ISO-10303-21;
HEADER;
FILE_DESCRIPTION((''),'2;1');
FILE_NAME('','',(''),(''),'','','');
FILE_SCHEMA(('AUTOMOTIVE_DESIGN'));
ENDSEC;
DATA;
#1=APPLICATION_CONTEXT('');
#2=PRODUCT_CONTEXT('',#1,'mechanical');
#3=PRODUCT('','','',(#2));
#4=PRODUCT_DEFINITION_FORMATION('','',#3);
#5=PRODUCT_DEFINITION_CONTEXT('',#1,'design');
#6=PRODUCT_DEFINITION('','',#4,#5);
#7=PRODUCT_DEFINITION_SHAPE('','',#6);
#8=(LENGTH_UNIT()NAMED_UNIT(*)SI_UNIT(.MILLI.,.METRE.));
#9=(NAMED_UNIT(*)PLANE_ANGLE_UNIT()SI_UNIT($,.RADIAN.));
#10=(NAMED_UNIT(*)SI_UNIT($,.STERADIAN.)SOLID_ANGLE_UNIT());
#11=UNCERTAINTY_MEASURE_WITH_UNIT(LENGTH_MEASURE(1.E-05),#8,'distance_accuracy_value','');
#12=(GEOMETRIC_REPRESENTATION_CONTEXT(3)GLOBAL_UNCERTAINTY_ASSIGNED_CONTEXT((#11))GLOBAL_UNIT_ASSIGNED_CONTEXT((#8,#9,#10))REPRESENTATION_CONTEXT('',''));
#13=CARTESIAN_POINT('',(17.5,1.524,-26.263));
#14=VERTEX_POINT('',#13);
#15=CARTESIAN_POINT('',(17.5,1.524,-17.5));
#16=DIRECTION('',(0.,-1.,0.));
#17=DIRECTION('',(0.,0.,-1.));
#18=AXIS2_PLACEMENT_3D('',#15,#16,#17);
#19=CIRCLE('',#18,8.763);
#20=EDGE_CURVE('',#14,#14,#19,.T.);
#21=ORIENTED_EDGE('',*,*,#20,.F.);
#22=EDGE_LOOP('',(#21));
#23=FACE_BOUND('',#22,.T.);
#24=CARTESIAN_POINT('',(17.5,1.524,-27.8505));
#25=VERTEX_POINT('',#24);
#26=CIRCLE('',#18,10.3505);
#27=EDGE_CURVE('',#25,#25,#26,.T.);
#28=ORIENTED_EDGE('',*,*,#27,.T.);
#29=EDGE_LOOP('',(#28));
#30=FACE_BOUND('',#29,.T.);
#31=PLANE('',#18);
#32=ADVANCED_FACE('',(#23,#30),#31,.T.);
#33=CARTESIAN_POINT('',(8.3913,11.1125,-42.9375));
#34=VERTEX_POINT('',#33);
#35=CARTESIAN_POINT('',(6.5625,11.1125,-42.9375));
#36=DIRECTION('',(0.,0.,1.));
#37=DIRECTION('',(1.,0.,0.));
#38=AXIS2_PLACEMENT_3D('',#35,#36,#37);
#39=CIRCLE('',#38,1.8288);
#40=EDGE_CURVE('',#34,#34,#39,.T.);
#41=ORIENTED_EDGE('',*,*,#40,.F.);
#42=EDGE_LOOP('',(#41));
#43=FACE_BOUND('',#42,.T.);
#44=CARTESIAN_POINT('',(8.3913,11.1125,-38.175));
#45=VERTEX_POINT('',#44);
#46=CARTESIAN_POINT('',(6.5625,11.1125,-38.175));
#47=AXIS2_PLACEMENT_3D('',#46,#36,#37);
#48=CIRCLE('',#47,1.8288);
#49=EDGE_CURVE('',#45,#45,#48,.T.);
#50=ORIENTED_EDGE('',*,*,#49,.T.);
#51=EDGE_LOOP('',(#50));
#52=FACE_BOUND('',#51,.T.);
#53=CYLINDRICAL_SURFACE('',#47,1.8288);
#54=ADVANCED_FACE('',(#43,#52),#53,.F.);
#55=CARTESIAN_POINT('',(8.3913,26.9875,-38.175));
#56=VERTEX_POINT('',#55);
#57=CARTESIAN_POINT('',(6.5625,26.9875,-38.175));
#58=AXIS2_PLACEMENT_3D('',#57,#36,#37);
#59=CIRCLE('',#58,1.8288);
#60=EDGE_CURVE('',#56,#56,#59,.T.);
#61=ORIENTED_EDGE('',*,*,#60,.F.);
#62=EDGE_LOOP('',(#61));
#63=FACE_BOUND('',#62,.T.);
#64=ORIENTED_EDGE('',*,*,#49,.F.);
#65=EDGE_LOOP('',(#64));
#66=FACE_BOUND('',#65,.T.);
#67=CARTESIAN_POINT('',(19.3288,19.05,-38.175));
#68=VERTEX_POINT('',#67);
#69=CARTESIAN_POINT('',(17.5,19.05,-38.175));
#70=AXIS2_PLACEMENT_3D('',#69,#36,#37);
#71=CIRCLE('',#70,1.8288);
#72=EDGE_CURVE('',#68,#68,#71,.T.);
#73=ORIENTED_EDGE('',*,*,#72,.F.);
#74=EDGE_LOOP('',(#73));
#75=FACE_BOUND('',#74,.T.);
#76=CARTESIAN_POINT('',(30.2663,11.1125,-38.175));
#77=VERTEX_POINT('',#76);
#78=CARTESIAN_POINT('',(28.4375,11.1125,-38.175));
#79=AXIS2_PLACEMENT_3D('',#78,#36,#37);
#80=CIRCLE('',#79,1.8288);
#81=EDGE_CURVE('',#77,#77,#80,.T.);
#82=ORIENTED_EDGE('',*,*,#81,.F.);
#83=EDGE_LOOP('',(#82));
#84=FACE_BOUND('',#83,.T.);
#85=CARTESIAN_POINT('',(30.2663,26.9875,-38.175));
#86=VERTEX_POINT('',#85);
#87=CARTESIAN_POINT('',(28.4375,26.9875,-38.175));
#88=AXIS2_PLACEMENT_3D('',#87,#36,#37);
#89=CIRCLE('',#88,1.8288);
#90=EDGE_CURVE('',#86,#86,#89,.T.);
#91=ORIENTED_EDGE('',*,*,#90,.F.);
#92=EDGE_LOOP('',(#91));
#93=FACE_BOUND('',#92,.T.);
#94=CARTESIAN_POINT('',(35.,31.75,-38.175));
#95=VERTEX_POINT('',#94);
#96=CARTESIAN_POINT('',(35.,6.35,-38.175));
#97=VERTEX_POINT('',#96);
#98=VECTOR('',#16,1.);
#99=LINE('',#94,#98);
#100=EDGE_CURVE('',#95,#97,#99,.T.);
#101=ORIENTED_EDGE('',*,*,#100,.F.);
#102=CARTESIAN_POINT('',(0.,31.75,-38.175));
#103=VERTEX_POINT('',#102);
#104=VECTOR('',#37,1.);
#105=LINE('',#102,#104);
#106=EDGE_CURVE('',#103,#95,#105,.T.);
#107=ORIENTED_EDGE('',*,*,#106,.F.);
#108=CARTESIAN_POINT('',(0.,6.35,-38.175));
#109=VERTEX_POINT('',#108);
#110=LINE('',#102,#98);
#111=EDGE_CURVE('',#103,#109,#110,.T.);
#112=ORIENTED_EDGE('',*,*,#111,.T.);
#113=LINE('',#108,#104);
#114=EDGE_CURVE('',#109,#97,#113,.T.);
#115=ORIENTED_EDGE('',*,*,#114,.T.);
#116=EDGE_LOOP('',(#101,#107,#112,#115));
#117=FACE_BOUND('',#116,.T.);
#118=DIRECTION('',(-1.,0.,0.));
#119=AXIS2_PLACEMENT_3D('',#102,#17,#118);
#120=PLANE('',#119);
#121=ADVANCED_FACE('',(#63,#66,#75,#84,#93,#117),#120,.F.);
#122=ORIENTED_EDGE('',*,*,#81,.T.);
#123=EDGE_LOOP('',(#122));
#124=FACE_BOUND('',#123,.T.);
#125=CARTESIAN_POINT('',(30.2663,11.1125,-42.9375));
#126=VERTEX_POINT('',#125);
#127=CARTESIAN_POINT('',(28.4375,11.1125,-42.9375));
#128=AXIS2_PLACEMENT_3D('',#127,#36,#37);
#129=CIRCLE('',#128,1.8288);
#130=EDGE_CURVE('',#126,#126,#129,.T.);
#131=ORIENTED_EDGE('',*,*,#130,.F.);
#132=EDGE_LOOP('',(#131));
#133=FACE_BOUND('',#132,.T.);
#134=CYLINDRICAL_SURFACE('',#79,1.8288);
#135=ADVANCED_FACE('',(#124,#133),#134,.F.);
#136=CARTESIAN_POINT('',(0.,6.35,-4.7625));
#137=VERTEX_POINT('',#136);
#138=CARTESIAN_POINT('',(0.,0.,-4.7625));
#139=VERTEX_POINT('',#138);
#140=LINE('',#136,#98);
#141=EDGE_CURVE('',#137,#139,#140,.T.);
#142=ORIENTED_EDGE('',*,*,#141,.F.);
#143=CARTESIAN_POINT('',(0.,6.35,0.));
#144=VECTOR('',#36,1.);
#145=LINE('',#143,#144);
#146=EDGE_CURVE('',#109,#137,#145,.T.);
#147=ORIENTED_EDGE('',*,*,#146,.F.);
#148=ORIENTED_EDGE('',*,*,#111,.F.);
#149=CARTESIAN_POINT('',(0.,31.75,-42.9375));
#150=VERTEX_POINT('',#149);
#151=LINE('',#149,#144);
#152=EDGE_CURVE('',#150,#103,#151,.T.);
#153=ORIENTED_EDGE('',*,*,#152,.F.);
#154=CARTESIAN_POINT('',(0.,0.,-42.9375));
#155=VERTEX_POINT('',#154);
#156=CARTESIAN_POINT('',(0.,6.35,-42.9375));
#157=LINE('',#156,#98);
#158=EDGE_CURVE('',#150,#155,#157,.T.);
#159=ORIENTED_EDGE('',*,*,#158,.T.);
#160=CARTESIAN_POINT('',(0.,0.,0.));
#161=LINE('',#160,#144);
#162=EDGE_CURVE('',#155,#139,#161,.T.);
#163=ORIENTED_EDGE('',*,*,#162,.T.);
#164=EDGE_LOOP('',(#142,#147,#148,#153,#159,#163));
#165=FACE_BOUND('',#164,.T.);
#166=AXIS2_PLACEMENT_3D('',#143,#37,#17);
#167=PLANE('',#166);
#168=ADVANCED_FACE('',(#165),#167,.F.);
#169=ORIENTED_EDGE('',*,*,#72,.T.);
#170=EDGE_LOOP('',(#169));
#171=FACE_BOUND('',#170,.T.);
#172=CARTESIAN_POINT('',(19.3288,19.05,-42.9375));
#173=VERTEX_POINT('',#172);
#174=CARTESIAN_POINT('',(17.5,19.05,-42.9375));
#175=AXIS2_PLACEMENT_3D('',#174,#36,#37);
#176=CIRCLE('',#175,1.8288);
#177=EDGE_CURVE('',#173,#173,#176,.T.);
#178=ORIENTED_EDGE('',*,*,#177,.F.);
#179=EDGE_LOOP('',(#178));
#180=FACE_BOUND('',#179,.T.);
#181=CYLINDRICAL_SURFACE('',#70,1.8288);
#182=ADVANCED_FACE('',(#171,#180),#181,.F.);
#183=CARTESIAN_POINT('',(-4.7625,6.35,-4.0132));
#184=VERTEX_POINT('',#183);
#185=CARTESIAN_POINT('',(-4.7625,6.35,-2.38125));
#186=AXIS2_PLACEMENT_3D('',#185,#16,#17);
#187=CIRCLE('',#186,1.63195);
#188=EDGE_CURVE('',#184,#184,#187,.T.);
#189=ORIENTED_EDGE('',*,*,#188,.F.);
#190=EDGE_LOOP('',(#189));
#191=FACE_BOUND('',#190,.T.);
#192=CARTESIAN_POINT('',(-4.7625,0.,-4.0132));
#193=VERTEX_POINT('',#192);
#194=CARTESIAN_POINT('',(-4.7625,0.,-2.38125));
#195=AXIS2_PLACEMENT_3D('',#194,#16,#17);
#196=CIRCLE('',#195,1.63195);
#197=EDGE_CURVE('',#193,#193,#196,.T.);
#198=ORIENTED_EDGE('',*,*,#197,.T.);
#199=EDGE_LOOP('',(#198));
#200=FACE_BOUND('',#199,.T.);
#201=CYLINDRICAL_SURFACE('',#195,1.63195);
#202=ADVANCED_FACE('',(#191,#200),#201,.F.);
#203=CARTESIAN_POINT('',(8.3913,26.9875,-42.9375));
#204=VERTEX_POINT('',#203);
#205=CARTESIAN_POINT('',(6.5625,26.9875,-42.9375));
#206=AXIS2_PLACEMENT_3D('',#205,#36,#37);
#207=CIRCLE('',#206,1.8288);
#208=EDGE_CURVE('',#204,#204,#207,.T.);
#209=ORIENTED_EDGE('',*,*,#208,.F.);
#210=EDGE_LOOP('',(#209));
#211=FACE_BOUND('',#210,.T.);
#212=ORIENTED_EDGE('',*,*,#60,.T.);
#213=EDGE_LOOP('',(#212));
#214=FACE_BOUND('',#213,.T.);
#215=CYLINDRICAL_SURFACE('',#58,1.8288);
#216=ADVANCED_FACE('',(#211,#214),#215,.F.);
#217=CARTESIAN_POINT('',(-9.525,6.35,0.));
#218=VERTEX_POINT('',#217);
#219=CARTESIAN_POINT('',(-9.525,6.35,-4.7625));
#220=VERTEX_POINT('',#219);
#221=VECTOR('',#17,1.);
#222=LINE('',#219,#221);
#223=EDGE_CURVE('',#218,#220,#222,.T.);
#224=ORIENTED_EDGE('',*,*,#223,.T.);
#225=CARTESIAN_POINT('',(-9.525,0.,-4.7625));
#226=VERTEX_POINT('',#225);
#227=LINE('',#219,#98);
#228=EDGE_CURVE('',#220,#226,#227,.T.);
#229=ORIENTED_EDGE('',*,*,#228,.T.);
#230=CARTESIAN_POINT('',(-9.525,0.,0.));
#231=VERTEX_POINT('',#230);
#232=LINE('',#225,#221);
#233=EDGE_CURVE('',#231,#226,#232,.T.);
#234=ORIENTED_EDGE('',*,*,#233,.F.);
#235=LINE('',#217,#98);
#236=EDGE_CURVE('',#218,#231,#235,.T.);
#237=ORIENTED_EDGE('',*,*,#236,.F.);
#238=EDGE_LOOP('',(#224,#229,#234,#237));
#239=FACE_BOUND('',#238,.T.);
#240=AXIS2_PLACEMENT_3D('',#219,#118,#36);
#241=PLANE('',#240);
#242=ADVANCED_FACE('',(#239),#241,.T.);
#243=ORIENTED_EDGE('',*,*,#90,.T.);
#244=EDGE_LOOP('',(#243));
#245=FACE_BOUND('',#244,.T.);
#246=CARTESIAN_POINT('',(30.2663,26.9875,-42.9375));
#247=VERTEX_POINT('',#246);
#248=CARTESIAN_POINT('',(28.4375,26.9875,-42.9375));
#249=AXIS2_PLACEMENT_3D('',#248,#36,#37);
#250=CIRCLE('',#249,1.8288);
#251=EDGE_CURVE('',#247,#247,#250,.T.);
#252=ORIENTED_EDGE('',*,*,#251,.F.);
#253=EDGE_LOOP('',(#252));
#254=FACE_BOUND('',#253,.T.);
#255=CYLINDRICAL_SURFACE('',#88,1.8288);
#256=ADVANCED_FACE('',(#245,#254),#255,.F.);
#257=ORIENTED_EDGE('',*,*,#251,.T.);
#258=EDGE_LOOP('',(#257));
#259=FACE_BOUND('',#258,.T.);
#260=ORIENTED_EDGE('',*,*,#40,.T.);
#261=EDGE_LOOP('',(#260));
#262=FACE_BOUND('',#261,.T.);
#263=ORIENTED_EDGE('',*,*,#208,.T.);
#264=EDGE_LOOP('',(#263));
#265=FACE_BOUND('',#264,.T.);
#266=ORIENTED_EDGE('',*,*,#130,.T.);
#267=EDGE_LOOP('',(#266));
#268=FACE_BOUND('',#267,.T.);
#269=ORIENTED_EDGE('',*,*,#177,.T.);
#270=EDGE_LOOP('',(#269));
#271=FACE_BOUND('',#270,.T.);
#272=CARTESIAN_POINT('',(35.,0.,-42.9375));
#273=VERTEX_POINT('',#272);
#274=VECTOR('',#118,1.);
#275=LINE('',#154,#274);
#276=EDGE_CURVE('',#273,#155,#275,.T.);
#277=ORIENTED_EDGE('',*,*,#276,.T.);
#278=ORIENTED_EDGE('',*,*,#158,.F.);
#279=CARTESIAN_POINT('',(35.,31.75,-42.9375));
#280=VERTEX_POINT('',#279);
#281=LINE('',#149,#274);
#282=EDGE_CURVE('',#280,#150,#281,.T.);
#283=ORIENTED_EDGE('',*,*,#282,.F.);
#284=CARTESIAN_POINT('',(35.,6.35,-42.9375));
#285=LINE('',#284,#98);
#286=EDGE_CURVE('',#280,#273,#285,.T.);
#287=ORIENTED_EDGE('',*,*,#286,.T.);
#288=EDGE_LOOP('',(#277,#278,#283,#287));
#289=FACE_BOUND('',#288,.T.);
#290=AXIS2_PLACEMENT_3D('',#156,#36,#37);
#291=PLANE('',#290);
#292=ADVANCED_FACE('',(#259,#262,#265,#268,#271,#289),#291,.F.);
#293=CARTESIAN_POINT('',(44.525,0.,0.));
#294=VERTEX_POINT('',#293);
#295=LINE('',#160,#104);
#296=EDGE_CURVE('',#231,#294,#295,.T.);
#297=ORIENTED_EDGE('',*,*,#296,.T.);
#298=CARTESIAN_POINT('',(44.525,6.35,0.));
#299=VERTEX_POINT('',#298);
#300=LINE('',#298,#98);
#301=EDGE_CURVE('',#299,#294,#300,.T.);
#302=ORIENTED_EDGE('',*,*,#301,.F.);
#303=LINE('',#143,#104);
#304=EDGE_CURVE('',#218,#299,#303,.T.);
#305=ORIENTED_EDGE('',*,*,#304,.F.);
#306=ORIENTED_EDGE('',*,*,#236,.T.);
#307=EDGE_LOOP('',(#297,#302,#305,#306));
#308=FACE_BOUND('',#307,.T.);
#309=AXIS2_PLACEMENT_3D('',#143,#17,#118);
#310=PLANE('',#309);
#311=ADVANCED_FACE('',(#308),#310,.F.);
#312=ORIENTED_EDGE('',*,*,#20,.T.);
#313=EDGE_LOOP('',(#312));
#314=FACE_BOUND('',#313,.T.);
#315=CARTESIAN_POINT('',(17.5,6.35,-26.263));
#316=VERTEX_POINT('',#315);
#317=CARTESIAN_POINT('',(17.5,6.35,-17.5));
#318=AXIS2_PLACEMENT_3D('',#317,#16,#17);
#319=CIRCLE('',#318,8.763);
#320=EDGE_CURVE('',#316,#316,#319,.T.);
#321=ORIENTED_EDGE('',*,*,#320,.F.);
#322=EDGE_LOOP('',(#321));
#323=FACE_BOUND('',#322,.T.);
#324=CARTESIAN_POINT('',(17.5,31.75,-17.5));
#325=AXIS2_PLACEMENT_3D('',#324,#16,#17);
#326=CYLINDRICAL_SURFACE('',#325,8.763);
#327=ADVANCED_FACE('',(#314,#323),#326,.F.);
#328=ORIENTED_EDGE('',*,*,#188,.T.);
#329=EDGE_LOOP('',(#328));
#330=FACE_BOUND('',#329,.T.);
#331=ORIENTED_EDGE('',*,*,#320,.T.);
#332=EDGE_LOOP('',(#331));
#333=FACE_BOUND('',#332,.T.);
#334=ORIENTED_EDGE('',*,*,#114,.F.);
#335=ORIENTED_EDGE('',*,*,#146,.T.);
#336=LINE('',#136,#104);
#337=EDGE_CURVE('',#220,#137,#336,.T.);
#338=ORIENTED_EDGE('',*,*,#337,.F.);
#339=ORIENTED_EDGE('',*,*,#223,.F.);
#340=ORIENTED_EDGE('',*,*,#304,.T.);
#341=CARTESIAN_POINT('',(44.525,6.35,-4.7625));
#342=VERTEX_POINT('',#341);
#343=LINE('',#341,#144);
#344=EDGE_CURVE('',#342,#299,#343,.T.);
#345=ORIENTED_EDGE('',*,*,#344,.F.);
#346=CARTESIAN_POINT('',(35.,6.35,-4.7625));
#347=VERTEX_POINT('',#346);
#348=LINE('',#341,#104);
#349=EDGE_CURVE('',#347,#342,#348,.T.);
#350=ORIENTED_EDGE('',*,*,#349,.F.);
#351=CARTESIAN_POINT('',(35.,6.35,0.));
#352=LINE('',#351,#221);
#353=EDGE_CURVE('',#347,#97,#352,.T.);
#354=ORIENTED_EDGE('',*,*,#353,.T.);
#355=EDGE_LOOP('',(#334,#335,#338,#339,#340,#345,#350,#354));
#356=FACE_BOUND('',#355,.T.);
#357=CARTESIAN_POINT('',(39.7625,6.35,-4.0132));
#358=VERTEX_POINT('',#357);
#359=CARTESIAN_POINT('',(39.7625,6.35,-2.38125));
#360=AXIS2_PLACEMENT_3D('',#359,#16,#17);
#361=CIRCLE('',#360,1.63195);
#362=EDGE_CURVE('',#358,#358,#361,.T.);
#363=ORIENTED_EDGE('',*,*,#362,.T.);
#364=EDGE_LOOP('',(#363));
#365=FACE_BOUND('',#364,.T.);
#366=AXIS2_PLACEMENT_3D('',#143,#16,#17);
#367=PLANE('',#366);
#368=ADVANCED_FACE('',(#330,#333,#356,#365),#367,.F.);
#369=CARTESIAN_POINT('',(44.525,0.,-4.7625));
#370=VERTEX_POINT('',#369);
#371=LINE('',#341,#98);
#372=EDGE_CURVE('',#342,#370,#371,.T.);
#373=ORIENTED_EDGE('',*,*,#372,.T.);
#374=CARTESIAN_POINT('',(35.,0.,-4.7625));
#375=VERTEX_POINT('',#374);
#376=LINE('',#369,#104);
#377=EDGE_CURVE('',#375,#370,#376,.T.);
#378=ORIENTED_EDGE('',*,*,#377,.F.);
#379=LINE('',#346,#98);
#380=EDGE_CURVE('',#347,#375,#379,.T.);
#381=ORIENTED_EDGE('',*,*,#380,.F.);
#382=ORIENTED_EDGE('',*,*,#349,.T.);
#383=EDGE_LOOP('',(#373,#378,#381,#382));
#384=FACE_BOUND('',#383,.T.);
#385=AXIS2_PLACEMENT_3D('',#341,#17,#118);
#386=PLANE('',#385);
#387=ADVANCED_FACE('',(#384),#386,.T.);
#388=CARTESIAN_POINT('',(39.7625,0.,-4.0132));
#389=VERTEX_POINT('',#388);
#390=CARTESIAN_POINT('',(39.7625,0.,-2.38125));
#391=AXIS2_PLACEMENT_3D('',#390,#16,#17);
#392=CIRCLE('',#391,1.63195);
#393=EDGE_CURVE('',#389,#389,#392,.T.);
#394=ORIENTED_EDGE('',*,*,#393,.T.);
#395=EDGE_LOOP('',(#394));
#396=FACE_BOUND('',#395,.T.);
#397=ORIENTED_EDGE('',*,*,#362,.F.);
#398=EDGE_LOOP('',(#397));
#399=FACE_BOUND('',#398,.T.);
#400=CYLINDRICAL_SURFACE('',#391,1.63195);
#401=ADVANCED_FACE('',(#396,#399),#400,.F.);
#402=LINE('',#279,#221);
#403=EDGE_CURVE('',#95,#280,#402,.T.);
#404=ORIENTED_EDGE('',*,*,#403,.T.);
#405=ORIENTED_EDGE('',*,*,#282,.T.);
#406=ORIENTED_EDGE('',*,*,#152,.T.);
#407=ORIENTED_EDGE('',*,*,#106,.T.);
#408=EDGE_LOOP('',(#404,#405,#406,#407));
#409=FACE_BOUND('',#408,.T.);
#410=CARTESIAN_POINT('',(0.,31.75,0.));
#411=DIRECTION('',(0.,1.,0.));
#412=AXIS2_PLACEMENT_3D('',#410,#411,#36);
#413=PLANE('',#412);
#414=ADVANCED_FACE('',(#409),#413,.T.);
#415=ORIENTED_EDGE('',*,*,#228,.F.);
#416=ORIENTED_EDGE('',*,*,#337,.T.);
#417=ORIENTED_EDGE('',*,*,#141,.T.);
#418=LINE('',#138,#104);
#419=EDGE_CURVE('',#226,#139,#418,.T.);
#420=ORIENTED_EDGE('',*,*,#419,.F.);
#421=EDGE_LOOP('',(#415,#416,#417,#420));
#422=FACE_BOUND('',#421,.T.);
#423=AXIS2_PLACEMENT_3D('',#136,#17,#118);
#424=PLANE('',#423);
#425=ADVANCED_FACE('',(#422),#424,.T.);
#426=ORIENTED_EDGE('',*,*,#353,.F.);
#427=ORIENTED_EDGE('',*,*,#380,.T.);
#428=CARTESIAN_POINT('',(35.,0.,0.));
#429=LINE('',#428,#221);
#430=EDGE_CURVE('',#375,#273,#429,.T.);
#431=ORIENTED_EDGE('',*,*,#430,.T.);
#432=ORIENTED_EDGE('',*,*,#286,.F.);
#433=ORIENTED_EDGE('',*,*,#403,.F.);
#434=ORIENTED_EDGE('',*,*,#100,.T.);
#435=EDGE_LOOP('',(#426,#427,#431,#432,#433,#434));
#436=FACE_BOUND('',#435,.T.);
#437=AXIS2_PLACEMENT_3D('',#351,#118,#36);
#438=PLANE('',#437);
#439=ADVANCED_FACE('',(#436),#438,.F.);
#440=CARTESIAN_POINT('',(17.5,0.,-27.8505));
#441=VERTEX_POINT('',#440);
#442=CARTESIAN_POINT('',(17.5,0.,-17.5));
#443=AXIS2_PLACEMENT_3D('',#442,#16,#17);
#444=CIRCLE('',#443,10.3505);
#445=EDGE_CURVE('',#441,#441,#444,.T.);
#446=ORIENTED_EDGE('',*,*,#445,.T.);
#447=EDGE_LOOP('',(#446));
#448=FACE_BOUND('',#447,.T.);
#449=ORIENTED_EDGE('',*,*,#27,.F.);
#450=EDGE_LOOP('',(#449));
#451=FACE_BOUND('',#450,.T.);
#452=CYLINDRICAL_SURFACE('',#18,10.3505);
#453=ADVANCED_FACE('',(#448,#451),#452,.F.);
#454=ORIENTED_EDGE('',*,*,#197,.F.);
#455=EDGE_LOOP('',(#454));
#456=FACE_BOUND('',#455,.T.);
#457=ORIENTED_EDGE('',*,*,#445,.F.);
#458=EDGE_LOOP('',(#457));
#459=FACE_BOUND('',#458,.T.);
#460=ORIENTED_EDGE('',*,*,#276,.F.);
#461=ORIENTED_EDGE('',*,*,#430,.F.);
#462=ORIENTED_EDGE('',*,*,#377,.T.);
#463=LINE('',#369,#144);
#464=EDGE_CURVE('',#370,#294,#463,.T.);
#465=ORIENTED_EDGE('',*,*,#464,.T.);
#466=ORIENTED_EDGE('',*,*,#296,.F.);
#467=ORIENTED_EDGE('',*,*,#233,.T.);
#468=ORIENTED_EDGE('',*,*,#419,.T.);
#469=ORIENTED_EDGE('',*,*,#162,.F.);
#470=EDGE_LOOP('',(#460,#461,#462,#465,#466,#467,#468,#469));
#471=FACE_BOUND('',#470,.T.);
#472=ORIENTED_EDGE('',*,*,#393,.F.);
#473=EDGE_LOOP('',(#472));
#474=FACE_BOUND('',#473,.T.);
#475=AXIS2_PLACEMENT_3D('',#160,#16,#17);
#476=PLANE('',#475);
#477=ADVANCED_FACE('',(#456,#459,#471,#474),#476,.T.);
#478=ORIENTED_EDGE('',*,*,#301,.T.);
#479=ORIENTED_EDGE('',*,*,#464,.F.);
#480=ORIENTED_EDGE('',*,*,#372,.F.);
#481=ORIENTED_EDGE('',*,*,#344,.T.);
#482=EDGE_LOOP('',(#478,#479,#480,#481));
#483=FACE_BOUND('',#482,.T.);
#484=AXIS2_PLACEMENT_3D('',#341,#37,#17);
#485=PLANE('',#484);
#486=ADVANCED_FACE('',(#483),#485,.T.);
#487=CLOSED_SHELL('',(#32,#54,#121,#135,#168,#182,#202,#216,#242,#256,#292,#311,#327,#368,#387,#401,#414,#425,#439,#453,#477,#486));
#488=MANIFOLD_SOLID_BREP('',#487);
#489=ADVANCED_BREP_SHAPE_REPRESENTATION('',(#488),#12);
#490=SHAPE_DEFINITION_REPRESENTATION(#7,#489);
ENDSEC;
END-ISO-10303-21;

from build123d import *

# Parameters (mm, degrees)
SKETCH1_W                 = 35
SKETCH1_H                 = 42.9375
BOSS_EXTRUDE1_DEPTH       = 6.35
SKETCH2_W                 = 35
SKETCH2_H                 = 4.7625
BOSS_EXTRUDE2_DEPTH       = 25.4
SKETCH3_R                 = 8.763
CUT_EXTRUDE1_DEPTH        = 32.75
F_6_CLEARANCE_HOLE1_D     = 3.6576
SKETCH13_R                = 10.3505
SKETCH13_R_2              = 8.763
CUT_EXTRUDE2_DEPTH        = 1.524
SKETCH14_W                = 9.525
SKETCH14_H                = 4.7625
BOSS_EXTRUDE4_DEPTH       = 6.35
F_4_CLEARANCE_HOLE1_D     = 3.2639
F_4_CLEARANCE_HOLE1_DEPTH = 10.16
F_4_CLEARANCE_HOLE1_TIP   = 0.980574487


with BuildPart() as part:
    # Sketch1 → Boss-Extrude1 (new body)
    with BuildSketch(Plane(origin=(0, 0, 0), x_dir=(1, 0, 0), z_dir=(0, 1, 0))):
        with Locations((17.5, 21.46875)):
            Rectangle(SKETCH1_W, SKETCH1_H)
    extrude(amount=BOSS_EXTRUDE1_DEPTH)

    # Sketch2 → Boss-Extrude2 (add)
    with BuildSketch(Plane(origin=(0, 6.35, 0), x_dir=(1, 0, 0), z_dir=(0, 1, 0))):
        with Locations((17.5, 40.55625)):
            Rectangle(SKETCH2_W, SKETCH2_H)
    extrude(amount=BOSS_EXTRUDE2_DEPTH)

    # Sketch3 → Cut-Extrude1 (cut, through all)
    with BuildSketch(Plane.XZ):
        with Locations((17.5, -17.5)):
            Circle(SKETCH3_R)
    extrude(amount=-CUT_EXTRUDE1_DEPTH, mode=Mode.SUBTRACT)

    # #6 Clearance Hole1 (through all)
    with Locations(Plane.XY.offset(-38.175)):
        with Locations((6.5625, 26.9875), (17.5, 19.05), (6.5625, 11.1125), (28.4375, 26.9875), (28.4375, 11.1125)):
            Hole(F_6_CLEARANCE_HOLE1_D / 2)

    # Sketch13 → Cut-Extrude2 (cut)
    with BuildSketch(Plane.XZ):
        with Locations((17.5, -17.5)):
            Circle(SKETCH13_R)
        with Locations((17.5, -17.5)):
            Circle(SKETCH13_R_2, mode=Mode.SUBTRACT)
    extrude(amount=-CUT_EXTRUDE2_DEPTH, mode=Mode.SUBTRACT)

    # Sketch14 → Boss-Extrude4 (add)
    with BuildSketch(Plane.XZ):
        with Locations((39.7625, -2.38125)):
            Rectangle(SKETCH14_W, SKETCH14_H)
        with Locations((-4.7625, -2.38125)):
            Rectangle(SKETCH14_W, SKETCH14_H)
    extrude(amount=-BOSS_EXTRUDE4_DEPTH)

    # #4 Clearance Hole1
    with Locations(Plane(origin=(0, 0, 0), x_dir=(-1, 0, 0), z_dir=(0, -1, 0))):
        with Locations((4.7625, 2.38125), (-39.7625, 2.38125)):
            Hole(F_4_CLEARANCE_HOLE1_D / 2, depth=F_4_CLEARANCE_HOLE1_DEPTH)
            with Locations((0, 0, -(F_4_CLEARANCE_HOLE1_DEPTH + F_4_CLEARANCE_HOLE1_TIP / 2))):  # 118° drill point
                Cone(0, F_4_CLEARANCE_HOLE1_D / 2, F_4_CLEARANCE_HOLE1_TIP, mode=Mode.SUBTRACT)


solid = part.part
